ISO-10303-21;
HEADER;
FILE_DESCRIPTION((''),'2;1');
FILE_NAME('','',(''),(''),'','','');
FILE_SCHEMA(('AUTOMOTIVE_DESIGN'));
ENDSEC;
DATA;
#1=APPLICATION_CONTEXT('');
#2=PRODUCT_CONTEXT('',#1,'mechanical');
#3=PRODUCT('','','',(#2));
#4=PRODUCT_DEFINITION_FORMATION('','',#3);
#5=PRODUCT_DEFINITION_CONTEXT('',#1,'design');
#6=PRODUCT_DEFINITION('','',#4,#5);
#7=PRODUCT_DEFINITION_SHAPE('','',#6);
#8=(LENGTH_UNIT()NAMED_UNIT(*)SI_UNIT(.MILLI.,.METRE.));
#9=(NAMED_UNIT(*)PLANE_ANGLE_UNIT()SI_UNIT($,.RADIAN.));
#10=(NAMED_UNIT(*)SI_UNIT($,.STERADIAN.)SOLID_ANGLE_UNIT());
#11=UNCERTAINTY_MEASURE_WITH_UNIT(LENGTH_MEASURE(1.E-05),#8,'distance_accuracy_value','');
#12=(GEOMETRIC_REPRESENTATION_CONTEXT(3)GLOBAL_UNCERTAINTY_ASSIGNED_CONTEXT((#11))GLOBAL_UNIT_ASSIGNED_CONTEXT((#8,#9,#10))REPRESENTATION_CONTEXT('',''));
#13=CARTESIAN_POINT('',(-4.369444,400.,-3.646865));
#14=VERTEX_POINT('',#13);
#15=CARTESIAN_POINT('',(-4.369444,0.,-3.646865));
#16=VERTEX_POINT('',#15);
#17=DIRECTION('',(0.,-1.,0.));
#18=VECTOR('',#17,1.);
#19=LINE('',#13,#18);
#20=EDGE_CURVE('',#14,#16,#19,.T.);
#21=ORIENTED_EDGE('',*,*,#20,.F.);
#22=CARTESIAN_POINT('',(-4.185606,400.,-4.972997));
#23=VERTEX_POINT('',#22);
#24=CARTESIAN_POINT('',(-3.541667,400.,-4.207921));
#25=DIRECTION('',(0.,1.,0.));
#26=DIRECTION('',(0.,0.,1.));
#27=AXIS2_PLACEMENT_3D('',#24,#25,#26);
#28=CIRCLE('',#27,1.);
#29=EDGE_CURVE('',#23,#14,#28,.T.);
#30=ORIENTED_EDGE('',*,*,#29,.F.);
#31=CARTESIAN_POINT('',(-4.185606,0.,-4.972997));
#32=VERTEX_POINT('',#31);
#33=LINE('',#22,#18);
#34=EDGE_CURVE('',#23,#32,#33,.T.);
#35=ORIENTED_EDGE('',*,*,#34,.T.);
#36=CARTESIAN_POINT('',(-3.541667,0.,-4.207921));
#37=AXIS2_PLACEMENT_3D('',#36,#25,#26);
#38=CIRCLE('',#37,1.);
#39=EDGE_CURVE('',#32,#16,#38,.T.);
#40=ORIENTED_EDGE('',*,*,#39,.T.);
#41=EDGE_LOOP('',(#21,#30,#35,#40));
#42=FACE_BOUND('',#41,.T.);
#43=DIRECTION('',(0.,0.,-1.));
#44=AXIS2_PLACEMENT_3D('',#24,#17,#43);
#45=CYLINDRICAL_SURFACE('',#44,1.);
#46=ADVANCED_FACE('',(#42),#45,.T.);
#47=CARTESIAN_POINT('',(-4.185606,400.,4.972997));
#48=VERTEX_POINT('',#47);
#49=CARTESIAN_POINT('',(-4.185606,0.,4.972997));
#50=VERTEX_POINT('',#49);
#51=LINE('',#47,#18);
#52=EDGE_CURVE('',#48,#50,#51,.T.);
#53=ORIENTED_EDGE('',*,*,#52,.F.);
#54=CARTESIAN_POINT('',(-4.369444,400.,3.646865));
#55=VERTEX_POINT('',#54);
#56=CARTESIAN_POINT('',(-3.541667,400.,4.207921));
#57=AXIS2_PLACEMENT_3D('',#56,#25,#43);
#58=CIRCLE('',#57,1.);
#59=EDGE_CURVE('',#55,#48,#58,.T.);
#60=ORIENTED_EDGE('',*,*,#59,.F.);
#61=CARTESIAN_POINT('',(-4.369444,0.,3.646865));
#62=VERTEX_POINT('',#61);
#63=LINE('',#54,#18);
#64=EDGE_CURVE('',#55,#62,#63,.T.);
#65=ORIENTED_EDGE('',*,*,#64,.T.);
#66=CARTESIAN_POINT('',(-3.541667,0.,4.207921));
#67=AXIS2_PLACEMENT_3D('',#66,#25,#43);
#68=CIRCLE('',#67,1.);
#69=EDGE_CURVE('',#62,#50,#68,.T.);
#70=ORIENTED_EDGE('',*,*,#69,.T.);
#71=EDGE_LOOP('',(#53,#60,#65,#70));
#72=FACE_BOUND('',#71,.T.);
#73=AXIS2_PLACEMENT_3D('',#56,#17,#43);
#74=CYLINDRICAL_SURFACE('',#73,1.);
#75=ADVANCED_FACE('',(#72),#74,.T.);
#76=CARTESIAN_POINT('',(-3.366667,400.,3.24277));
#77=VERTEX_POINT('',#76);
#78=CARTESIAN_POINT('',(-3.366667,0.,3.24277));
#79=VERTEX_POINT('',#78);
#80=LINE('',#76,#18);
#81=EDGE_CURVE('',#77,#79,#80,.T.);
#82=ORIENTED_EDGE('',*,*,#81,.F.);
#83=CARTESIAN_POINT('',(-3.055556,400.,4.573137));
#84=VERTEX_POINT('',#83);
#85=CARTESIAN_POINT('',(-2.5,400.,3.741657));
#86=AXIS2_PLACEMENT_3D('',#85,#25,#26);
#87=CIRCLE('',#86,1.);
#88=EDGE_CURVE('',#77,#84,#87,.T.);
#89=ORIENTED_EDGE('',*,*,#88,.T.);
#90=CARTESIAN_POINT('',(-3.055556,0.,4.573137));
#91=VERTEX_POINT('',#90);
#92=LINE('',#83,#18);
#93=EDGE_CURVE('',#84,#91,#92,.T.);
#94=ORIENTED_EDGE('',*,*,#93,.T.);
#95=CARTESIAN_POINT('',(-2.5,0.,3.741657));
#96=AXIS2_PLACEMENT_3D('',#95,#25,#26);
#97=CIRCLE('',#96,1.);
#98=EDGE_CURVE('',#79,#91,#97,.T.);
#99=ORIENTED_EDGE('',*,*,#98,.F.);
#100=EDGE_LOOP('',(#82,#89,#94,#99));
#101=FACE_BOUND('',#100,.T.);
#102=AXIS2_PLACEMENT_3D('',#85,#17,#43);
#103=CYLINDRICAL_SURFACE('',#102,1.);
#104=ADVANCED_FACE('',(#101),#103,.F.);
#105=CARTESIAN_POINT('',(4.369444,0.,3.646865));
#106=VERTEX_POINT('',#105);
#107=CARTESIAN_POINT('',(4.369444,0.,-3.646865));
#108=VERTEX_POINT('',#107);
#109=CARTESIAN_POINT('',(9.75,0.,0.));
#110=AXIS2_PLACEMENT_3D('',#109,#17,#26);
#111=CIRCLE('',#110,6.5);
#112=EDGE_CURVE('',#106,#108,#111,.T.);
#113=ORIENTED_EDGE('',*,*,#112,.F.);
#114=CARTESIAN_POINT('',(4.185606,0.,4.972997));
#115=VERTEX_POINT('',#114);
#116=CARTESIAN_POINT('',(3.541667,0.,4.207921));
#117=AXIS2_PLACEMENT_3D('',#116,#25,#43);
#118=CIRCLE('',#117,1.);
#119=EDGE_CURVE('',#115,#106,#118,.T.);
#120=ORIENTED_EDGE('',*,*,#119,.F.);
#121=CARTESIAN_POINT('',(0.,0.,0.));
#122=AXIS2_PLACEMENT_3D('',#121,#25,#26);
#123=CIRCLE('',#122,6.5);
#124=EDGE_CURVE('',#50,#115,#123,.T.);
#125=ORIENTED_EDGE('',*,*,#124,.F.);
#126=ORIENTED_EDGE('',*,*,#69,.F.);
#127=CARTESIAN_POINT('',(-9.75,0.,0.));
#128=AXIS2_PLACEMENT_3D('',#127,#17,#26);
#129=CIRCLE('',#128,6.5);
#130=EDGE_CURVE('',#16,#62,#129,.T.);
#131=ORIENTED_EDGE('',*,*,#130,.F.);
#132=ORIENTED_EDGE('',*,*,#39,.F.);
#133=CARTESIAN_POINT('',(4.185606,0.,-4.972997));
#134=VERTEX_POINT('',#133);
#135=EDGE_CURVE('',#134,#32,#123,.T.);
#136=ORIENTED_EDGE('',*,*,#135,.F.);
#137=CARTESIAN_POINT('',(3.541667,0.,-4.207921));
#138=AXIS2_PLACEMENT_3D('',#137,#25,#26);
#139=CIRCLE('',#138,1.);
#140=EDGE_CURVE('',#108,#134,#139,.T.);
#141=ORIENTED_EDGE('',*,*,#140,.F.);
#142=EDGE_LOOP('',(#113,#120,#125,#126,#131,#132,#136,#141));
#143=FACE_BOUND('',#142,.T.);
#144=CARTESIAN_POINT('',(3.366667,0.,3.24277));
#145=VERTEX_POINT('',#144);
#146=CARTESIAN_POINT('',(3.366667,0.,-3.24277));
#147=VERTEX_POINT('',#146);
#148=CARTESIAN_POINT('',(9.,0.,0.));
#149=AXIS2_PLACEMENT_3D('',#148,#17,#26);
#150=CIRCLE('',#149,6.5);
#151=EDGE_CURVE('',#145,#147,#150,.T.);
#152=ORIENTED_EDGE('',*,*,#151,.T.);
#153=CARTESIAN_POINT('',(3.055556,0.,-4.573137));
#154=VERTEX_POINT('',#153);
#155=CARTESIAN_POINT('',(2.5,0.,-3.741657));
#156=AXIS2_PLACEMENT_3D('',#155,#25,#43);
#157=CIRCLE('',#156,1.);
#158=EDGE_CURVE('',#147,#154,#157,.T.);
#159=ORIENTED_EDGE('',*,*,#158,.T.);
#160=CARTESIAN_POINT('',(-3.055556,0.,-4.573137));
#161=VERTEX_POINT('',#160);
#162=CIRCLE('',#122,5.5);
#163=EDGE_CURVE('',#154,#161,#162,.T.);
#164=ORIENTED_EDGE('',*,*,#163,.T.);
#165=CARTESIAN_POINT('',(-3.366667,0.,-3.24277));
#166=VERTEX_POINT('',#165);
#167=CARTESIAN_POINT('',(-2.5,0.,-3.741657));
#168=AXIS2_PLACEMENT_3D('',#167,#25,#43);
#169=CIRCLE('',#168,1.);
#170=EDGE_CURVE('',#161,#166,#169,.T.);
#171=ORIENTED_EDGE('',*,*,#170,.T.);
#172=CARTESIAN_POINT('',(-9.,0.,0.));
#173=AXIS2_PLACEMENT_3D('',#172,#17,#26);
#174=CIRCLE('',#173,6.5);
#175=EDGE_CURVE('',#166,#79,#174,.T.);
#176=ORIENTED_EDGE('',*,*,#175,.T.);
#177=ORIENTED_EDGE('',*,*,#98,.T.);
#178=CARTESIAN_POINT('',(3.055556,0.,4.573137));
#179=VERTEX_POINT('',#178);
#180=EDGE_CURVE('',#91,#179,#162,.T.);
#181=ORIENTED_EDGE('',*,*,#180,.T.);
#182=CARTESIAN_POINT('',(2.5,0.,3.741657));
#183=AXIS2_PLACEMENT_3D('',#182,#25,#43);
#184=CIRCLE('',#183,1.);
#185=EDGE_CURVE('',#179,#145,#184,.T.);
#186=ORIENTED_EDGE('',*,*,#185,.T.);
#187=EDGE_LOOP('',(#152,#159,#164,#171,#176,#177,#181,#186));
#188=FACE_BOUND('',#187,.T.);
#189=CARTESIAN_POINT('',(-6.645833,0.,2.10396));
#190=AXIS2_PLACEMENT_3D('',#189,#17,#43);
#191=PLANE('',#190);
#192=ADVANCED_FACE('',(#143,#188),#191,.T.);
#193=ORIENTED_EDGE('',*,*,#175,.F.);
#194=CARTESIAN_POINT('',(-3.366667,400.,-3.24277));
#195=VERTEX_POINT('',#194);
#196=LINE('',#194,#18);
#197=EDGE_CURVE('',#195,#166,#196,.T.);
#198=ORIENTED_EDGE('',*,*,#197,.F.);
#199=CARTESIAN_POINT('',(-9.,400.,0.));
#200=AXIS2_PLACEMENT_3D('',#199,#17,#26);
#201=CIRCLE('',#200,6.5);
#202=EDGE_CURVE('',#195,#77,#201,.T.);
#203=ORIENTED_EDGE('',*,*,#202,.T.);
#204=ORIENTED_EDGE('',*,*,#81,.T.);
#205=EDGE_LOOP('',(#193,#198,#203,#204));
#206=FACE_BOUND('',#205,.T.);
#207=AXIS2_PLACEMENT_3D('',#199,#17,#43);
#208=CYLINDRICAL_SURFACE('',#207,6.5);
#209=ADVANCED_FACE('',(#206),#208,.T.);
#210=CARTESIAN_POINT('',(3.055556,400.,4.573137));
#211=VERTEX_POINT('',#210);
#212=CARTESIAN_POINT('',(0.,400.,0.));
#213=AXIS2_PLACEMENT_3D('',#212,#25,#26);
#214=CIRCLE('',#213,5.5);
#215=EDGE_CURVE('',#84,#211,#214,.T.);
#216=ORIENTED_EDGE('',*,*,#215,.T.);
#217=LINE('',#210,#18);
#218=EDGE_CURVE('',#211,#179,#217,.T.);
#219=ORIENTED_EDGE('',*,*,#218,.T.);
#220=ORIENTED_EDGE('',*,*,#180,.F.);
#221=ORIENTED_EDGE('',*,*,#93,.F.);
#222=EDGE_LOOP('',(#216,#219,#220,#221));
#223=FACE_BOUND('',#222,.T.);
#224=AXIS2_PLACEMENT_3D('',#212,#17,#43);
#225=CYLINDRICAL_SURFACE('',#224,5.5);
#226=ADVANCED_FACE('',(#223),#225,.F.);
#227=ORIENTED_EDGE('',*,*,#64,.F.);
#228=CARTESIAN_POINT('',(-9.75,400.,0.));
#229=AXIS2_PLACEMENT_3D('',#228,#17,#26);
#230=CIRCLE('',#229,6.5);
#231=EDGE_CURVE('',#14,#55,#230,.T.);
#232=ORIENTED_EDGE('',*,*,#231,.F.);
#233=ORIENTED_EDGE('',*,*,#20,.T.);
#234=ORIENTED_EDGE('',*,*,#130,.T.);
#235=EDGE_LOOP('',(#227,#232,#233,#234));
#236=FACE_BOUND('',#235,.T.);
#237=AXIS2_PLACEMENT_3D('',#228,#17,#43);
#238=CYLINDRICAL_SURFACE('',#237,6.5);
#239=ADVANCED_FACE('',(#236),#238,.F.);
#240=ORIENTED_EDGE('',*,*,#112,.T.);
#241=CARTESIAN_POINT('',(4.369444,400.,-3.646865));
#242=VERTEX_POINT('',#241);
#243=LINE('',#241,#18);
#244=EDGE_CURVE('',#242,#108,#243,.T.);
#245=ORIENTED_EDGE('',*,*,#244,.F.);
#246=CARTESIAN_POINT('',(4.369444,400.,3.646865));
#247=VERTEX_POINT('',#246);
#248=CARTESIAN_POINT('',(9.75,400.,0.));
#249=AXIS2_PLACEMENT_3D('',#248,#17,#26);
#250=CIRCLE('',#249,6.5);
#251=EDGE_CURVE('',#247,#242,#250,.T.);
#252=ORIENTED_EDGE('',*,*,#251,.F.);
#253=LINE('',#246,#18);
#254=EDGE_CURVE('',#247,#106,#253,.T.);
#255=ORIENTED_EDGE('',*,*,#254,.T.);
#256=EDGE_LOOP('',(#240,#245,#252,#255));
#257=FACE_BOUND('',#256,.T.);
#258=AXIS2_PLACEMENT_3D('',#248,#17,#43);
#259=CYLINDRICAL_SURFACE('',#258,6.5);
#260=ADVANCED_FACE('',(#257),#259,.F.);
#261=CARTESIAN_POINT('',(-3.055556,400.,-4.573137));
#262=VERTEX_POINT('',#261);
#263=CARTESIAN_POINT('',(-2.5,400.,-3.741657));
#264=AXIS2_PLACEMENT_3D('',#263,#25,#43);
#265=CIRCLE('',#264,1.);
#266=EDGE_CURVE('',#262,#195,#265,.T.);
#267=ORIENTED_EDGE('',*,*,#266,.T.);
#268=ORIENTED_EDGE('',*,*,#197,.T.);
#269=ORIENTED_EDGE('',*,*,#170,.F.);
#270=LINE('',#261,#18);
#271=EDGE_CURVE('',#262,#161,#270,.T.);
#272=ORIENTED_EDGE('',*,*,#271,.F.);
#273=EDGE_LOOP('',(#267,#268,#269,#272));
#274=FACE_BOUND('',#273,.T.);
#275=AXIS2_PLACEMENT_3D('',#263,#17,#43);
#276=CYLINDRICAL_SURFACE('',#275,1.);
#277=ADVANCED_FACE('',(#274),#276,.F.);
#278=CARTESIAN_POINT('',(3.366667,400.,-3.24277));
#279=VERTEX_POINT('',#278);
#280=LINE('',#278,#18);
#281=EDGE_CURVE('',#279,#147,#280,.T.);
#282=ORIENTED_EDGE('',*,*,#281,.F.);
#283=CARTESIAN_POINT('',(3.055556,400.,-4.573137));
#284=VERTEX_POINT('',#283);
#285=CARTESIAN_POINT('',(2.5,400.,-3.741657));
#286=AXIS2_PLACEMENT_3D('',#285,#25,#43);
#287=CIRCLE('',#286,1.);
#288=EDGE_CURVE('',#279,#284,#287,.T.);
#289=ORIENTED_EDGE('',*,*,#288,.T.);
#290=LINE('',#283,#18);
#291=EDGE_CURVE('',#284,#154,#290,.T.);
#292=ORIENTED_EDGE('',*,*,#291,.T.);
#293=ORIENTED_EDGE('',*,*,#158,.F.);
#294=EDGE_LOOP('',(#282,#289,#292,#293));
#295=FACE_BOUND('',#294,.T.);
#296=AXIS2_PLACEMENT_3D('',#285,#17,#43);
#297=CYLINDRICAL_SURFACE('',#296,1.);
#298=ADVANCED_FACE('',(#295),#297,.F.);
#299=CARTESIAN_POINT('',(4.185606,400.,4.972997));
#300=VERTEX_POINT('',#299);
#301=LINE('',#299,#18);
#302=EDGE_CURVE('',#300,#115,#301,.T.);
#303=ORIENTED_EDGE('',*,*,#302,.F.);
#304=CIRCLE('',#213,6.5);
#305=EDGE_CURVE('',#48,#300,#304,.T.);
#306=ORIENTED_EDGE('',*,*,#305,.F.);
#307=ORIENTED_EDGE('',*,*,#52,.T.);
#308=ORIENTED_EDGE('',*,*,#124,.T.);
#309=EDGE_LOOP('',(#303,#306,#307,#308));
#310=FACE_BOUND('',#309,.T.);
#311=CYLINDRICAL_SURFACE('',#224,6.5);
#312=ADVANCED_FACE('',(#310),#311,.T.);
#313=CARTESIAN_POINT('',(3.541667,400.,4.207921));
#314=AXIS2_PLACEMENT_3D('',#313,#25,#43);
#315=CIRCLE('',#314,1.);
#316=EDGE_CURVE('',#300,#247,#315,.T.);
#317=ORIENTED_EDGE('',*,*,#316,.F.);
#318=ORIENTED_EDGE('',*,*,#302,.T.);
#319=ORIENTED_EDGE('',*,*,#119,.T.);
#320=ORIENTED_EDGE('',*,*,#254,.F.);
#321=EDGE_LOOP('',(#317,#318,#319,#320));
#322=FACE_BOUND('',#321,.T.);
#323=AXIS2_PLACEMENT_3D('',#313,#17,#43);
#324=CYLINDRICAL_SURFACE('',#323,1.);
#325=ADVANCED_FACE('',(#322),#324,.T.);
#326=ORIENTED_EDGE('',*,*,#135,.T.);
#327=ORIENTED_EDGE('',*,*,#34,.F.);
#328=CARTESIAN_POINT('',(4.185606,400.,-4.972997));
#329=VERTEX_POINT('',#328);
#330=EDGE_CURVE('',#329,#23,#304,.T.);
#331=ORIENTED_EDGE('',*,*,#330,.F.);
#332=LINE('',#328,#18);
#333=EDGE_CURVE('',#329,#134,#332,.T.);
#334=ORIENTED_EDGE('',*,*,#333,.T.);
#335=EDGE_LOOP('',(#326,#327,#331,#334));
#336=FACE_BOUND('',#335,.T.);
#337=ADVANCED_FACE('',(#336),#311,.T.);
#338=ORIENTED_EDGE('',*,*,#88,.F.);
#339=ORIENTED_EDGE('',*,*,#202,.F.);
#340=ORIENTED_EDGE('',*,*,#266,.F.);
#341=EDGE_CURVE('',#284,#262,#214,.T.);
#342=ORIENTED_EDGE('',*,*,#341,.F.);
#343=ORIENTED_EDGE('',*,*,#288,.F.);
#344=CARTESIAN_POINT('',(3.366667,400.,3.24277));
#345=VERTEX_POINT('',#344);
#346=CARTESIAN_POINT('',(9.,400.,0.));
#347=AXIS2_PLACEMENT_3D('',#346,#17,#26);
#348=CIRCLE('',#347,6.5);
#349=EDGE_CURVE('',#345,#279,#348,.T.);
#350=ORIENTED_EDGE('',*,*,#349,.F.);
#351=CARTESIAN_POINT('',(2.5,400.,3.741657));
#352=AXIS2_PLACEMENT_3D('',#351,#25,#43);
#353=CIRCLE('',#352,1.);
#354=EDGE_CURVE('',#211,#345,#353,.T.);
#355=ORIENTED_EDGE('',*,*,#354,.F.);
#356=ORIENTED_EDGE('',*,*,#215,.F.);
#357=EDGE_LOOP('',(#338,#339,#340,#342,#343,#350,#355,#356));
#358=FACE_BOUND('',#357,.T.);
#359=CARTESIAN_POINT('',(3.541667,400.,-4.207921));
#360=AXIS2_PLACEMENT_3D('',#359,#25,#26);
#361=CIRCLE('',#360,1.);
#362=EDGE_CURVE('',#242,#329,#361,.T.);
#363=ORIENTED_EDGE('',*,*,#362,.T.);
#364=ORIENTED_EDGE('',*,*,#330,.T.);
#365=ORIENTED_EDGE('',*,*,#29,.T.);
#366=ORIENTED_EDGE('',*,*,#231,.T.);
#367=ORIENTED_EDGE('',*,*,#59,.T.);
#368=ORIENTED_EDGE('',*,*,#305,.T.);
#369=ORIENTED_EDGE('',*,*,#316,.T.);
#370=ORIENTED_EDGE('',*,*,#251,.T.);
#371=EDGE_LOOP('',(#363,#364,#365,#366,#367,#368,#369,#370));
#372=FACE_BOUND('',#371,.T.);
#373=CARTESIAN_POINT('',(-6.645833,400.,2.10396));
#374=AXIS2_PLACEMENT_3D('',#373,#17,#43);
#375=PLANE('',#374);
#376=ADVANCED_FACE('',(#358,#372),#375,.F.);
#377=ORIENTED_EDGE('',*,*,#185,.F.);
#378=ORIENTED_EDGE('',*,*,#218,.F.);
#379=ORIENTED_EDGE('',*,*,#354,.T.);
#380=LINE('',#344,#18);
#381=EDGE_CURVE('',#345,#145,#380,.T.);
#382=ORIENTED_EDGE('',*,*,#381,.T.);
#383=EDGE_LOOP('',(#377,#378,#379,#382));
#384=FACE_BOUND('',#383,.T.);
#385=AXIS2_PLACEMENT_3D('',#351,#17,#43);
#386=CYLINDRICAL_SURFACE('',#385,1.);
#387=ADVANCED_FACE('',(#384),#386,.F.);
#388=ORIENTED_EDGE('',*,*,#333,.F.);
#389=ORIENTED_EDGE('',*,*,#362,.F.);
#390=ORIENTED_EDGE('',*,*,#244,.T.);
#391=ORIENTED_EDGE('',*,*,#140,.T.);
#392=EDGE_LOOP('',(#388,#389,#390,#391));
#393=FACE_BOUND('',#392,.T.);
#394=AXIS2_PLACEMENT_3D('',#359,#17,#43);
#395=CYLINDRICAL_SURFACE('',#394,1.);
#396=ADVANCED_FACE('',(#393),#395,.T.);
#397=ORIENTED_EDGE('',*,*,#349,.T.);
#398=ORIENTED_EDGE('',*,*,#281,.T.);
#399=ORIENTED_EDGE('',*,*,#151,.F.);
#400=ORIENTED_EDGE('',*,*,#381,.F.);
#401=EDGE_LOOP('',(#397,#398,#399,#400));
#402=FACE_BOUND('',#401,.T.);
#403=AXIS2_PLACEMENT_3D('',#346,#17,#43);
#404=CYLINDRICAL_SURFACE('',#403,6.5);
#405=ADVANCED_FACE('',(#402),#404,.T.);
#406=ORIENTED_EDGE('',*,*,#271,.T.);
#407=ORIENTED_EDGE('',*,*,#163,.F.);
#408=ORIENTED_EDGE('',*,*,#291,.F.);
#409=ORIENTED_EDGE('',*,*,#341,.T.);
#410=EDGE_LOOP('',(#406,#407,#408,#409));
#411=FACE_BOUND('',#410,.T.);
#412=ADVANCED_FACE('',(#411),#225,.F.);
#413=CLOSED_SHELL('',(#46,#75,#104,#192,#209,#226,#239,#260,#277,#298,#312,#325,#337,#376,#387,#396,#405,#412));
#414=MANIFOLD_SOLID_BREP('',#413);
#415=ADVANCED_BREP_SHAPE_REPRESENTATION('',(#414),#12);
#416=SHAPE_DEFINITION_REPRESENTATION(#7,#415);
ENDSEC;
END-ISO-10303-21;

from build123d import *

# Parameters (mm, degrees)
BOSS_EXTRUDE1_DEPTH = 400


with BuildPart() as part:
    # Sketch1 → Boss-Extrude1 (new body)
    with BuildSketch(Plane(origin=(0, 0, 0), x_dir=(1, 0, 0), z_dir=(0, 1, 0))):
        with BuildLine():
            ThreePointArc((-4.185606061, -4.972997276), (0, -6.5), (4.185606061, -4.972997276))
            ThreePointArc((4.185606061, -4.972997276), (4.532194193, -4.345235079), (4.369444444, -3.646864669))
            ThreePointArc((4.369444444, -3.646864669), (3.25, 0), (4.369444444, 3.646864669))
            ThreePointArc((4.369444444, 3.646864669), (4.532194193, 4.345235079), (4.185606061, 4.972997276))
            ThreePointArc((4.185606061, 4.972997276), (0, 6.5), (-4.185606061, 4.972997276))
            ThreePointArc((-4.185606061, 4.972997276), (-4.532194193, 4.345235079), (-4.369444444, 3.646864669))
            ThreePointArc((-4.369444444, 3.646864669), (-3.25, 0), (-4.369444444, -3.646864669))
            ThreePointArc((-4.369444444, -3.646864669), (-4.532194193, -4.345235079), (-4.185606061, -4.972997276))
        make_face()
        with BuildLine():
            ThreePointArc((-3.055555556, -4.573136806), (0, -5.5), (3.055555556, -4.573136806))
            ThreePointArc((3.055555556, -4.573136806), (3.473728991, -3.969367404), (3.366666667, -3.242769735))
            ThreePointArc((3.366666667, -3.242769735), (2.5, 0), (3.366666667, 3.242769735))
            ThreePointArc((3.366666667, 3.242769735), (3.473728991, 3.969367404), (3.055555556, 4.573136806))
            ThreePointArc((3.055555556, 4.573136806), (0, 5.5), (-3.055555556, 4.573136806))
            ThreePointArc((-3.055555556, 4.573136806), (-3.473728991, 3.969367404), (-3.366666667, 3.242769735))
            ThreePointArc((-3.366666667, 3.242769735), (-2.5, 0), (-3.366666667, -3.242769735))
            ThreePointArc((-3.366666667, -3.242769735), (-3.473728991, -3.969367404), (-3.055555556, -4.573136806))
        make_face(mode=Mode.SUBTRACT)
    extrude(amount=BOSS_EXTRUDE1_DEPTH)


solid = part.part
